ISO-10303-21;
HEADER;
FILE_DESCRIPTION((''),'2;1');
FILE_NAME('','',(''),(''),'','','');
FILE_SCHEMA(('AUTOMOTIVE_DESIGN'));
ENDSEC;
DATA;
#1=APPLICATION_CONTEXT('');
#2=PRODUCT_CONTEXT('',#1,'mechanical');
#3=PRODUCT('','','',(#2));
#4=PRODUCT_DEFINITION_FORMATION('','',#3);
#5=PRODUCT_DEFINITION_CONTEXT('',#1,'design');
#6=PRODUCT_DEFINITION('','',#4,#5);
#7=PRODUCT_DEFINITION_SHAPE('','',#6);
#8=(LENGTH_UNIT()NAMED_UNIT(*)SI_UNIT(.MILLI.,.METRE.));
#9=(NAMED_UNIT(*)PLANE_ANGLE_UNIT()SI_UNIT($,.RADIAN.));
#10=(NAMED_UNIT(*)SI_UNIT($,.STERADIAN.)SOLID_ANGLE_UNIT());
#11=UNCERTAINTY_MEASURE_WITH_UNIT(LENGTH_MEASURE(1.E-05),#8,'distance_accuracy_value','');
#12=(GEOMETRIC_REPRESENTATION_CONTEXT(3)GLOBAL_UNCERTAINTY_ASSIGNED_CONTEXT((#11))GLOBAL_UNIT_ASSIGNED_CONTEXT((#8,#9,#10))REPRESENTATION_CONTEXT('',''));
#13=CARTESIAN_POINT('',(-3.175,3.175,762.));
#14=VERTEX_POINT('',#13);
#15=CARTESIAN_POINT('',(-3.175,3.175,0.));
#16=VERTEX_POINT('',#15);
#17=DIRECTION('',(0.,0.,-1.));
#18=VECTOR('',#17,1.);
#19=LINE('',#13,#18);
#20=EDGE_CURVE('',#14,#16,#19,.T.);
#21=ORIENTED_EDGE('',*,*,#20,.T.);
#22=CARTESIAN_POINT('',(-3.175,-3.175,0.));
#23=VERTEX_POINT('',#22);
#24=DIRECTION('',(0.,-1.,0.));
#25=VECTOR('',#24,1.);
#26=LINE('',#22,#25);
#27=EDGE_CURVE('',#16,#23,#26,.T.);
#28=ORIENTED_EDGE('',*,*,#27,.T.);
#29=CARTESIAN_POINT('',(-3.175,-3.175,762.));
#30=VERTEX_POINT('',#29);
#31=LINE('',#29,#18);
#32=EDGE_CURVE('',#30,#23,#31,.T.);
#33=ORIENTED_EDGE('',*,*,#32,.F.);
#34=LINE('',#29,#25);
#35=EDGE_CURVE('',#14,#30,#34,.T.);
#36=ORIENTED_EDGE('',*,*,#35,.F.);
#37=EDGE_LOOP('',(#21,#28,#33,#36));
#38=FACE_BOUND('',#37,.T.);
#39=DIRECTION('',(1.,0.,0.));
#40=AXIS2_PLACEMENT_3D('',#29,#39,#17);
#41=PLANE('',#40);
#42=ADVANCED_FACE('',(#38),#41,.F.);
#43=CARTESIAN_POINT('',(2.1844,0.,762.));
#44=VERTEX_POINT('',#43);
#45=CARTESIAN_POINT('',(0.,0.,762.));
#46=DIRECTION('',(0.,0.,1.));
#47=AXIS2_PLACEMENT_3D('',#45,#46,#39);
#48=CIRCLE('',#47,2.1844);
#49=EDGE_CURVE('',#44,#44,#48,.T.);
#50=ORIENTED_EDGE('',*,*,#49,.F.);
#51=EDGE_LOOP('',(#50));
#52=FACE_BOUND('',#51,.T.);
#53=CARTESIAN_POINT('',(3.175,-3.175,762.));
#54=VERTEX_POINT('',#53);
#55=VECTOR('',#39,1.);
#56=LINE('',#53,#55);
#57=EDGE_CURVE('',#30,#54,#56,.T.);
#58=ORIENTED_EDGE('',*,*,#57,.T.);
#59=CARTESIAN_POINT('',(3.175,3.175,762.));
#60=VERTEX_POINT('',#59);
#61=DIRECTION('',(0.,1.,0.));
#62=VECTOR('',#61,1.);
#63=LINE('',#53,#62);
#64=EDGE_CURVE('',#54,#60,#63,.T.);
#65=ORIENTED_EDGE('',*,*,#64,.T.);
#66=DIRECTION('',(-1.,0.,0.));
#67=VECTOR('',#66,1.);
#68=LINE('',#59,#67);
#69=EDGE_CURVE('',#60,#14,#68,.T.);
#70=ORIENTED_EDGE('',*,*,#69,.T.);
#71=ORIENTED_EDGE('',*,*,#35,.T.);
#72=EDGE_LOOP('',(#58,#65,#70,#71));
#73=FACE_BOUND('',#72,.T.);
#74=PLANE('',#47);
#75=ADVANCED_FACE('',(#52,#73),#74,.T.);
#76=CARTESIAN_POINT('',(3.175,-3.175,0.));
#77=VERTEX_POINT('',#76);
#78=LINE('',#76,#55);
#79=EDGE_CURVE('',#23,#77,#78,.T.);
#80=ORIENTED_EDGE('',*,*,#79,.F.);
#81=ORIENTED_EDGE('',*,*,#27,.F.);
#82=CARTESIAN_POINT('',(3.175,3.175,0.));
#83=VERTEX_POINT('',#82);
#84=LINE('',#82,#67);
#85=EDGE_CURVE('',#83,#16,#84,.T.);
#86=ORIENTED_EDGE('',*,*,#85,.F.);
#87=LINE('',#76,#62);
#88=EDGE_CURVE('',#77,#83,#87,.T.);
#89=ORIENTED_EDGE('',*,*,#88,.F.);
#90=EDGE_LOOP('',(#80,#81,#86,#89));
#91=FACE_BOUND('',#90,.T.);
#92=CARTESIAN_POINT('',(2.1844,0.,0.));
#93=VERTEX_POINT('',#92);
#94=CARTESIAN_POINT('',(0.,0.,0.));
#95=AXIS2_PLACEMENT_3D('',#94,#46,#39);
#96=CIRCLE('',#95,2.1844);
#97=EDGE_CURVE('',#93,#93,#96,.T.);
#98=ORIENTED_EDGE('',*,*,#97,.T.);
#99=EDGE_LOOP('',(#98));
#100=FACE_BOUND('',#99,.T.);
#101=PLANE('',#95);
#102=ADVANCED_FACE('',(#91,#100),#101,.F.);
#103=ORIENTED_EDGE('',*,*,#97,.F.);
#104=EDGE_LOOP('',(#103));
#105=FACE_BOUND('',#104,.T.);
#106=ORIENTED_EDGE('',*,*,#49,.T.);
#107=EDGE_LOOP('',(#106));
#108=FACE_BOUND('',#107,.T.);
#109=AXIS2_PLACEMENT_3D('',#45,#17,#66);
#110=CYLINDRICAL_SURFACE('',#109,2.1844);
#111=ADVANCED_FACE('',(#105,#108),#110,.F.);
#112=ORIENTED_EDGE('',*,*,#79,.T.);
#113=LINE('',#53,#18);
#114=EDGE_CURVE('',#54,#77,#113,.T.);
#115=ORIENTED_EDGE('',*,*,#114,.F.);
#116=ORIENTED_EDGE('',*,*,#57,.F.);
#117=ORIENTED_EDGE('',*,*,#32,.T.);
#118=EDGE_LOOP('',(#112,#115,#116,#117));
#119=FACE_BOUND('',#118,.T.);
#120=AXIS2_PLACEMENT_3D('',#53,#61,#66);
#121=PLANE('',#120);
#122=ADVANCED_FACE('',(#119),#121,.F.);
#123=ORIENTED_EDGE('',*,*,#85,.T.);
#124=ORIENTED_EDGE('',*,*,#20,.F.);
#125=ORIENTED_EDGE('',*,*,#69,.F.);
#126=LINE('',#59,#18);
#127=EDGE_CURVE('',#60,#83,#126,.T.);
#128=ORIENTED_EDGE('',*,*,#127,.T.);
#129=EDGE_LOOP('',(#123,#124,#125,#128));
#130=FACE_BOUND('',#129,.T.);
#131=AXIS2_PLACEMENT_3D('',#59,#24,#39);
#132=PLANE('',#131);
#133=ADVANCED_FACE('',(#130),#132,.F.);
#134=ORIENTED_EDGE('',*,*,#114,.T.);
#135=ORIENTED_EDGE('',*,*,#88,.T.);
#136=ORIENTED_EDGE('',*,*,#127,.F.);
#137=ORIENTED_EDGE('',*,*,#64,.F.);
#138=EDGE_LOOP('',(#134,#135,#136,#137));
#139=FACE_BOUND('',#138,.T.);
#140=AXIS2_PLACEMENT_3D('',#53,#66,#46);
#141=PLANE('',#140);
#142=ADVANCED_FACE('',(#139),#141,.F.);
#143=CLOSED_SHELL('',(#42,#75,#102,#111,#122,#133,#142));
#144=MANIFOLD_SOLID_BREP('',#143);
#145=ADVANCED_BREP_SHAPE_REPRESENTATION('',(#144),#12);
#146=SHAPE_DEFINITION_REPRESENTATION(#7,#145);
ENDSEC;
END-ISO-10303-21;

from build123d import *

# Parameters (mm, degrees)
SKETCH1_W           = 6.35
SKETCH1_H           = 6.35
SKETCH1_R           = 2.1844
BOSS_EXTRUDE1_DEPTH = 762


with BuildPart() as part:
    # Sketch1 → Boss-Extrude1 (new body)
    with BuildSketch(Plane.XY):
        Rectangle(SKETCH1_W, SKETCH1_H)
        Circle(SKETCH1_R, mode=Mode.SUBTRACT)
    extrude(amount=BOSS_EXTRUDE1_DEPTH)


solid = part.part
